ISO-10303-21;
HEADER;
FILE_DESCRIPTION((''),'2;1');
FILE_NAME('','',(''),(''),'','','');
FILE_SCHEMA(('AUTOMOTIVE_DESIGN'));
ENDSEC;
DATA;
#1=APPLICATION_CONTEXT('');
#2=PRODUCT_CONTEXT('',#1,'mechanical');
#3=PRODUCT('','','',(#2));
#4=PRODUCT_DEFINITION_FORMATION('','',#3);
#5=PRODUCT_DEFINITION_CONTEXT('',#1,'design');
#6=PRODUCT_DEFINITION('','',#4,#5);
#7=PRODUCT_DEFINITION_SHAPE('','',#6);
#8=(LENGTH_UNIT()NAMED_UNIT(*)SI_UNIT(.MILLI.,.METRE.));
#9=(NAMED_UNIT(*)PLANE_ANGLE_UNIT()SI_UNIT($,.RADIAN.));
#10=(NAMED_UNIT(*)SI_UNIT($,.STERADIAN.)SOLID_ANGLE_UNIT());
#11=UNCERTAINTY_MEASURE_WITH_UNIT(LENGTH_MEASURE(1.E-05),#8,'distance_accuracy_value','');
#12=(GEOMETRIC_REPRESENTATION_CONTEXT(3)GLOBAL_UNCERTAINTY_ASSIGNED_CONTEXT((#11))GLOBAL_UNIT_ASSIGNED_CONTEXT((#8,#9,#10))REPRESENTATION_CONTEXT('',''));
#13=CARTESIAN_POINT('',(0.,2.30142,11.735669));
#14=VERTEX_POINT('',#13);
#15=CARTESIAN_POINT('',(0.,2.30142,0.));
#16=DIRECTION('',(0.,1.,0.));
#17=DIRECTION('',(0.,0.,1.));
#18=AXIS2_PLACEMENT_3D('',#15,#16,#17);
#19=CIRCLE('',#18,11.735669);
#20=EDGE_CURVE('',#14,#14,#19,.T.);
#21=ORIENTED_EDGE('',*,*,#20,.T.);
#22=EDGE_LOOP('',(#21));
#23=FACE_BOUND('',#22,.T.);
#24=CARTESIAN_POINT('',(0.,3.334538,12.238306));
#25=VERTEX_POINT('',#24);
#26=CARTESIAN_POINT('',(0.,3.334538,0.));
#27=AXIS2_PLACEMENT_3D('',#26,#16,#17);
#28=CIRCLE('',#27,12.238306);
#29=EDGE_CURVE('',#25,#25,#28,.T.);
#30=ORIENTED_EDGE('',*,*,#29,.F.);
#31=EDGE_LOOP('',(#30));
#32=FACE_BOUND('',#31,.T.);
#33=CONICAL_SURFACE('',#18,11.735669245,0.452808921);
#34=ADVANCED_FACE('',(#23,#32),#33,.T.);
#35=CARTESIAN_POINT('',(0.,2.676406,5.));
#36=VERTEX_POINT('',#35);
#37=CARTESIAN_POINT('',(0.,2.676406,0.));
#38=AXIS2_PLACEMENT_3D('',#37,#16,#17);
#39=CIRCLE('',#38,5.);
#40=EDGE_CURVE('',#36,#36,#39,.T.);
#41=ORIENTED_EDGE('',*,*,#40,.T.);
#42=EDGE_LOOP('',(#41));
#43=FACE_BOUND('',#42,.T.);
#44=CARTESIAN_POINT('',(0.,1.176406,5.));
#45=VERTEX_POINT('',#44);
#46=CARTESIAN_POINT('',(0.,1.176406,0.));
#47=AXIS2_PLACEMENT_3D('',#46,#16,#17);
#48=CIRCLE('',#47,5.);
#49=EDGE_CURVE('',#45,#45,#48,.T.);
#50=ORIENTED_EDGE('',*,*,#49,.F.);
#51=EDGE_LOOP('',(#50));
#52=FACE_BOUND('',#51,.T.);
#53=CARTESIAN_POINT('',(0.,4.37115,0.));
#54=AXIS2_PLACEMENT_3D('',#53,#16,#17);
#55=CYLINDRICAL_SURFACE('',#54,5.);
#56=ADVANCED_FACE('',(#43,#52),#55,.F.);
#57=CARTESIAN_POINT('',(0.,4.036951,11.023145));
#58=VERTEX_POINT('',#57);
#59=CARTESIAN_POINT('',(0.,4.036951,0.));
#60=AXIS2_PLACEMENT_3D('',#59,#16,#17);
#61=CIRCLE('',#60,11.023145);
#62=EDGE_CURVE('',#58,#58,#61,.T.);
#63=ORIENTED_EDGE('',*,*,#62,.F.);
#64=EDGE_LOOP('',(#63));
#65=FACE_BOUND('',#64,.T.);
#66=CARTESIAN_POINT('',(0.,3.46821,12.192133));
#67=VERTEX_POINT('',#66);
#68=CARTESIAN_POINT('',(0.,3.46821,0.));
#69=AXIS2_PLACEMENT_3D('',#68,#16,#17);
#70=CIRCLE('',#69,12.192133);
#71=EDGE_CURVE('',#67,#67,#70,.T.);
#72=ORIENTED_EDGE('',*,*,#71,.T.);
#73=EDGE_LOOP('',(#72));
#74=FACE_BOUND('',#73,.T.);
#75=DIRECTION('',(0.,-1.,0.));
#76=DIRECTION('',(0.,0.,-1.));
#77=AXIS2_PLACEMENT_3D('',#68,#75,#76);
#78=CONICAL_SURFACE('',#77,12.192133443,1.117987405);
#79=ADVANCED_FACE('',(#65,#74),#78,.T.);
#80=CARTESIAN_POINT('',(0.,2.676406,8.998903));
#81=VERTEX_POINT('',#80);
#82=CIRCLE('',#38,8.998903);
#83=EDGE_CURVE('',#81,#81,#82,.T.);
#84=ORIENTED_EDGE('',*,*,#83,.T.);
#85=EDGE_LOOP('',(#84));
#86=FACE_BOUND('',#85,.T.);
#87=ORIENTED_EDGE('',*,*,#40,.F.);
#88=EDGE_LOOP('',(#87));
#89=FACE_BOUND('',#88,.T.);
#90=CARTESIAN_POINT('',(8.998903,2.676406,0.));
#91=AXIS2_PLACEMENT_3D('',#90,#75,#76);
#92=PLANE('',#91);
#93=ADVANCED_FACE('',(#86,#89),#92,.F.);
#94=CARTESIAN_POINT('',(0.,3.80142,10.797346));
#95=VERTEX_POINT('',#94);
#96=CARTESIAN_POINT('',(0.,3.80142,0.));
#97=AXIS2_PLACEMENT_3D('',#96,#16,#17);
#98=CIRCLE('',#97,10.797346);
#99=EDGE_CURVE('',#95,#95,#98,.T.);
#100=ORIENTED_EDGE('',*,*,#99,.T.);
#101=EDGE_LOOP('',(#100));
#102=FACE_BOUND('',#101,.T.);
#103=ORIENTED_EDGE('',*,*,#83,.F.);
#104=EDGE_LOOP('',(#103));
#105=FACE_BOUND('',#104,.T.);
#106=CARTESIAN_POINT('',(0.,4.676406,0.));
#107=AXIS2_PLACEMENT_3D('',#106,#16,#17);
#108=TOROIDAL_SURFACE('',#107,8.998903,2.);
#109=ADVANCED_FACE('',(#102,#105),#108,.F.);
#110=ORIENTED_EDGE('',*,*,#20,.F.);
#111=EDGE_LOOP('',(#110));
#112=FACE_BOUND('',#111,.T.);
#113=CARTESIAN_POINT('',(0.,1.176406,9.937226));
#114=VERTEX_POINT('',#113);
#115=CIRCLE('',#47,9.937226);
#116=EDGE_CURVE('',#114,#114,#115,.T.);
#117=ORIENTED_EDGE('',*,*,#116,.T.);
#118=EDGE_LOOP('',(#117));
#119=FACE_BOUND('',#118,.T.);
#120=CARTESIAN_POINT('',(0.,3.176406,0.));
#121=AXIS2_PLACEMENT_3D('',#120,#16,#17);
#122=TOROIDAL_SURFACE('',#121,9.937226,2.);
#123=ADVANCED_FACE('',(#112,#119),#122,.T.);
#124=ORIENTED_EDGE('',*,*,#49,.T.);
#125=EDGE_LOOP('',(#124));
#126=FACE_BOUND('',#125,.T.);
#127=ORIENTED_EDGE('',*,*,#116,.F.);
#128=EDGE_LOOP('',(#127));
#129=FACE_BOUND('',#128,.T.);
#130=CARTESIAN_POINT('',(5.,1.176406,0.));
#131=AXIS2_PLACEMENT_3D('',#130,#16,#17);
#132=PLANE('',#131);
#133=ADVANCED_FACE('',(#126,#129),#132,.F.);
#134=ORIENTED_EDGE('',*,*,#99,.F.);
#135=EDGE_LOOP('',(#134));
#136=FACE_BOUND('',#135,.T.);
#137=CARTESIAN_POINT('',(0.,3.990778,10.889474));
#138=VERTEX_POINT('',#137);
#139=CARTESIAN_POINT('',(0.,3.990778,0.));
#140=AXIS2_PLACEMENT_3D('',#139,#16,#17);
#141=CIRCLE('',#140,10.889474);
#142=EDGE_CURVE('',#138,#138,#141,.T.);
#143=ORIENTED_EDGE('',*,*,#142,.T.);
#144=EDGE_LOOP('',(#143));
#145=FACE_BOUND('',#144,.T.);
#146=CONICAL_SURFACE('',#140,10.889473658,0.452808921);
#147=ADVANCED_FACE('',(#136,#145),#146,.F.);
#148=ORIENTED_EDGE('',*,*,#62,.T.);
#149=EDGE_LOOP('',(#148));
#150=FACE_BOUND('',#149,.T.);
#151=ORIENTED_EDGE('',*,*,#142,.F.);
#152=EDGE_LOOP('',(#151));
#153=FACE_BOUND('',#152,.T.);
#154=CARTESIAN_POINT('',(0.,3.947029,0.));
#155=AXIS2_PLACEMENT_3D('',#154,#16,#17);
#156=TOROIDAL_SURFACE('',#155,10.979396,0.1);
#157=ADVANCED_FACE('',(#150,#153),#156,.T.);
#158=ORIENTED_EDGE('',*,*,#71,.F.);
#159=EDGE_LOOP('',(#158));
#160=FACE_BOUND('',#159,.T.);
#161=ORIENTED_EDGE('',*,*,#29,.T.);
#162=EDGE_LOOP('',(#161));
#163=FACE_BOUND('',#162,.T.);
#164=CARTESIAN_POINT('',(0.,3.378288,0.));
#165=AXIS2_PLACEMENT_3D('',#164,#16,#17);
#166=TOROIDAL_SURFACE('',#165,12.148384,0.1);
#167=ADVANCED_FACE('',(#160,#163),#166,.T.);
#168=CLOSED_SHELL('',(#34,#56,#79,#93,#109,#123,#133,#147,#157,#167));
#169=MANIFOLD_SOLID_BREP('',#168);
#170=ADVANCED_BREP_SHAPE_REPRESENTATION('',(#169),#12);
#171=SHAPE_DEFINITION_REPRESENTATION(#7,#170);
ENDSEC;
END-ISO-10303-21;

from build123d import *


with BuildPart() as part:
    # Sketch1 → Revolve1 (revolve)
    with BuildSketch(Plane.XY, mode=Mode.PRIVATE) as revolve1_sk:
        with BuildLine():
            Line((5, 1.176406116), (9.93722571, 1.176406116))
            ThreePointArc((9.93722571, 1.176406116), (10.997892387, 1.480827689), (11.735669245, 2.301419916))
            Line((11.735669245, 2.301419916), (12.23830631, 3.334538358))
            ThreePointArc((12.23830631, 3.334538358), (12.242904148, 3.410936815), (12.192133443, 3.468209845))
            Line((12.192133443, 3.468209845), (11.023145145, 4.036950875))
            ThreePointArc((11.023145145, 4.036950875), (10.946746688, 4.041548713), (10.889473658, 3.990778008))
            Line((10.889473658, 3.990778008), (10.797346375, 3.801419916))
            ThreePointArc((10.797346375, 3.801419916), (10.059569517, 2.980827689), (8.99890284, 2.676406116))
            Line((8.99890284, 2.676406116), (5, 2.676406116))
            Line((5, 2.676406116), (5, 1.176406116))
        make_face()
    revolve(revolve1_sk.sketch.rotate(Axis((0, 4.371150449, 0), (0, -1, 0)), 90), axis=Axis((0, 4.371150449, 0), (0, -1, 0)))


solid = part.part
